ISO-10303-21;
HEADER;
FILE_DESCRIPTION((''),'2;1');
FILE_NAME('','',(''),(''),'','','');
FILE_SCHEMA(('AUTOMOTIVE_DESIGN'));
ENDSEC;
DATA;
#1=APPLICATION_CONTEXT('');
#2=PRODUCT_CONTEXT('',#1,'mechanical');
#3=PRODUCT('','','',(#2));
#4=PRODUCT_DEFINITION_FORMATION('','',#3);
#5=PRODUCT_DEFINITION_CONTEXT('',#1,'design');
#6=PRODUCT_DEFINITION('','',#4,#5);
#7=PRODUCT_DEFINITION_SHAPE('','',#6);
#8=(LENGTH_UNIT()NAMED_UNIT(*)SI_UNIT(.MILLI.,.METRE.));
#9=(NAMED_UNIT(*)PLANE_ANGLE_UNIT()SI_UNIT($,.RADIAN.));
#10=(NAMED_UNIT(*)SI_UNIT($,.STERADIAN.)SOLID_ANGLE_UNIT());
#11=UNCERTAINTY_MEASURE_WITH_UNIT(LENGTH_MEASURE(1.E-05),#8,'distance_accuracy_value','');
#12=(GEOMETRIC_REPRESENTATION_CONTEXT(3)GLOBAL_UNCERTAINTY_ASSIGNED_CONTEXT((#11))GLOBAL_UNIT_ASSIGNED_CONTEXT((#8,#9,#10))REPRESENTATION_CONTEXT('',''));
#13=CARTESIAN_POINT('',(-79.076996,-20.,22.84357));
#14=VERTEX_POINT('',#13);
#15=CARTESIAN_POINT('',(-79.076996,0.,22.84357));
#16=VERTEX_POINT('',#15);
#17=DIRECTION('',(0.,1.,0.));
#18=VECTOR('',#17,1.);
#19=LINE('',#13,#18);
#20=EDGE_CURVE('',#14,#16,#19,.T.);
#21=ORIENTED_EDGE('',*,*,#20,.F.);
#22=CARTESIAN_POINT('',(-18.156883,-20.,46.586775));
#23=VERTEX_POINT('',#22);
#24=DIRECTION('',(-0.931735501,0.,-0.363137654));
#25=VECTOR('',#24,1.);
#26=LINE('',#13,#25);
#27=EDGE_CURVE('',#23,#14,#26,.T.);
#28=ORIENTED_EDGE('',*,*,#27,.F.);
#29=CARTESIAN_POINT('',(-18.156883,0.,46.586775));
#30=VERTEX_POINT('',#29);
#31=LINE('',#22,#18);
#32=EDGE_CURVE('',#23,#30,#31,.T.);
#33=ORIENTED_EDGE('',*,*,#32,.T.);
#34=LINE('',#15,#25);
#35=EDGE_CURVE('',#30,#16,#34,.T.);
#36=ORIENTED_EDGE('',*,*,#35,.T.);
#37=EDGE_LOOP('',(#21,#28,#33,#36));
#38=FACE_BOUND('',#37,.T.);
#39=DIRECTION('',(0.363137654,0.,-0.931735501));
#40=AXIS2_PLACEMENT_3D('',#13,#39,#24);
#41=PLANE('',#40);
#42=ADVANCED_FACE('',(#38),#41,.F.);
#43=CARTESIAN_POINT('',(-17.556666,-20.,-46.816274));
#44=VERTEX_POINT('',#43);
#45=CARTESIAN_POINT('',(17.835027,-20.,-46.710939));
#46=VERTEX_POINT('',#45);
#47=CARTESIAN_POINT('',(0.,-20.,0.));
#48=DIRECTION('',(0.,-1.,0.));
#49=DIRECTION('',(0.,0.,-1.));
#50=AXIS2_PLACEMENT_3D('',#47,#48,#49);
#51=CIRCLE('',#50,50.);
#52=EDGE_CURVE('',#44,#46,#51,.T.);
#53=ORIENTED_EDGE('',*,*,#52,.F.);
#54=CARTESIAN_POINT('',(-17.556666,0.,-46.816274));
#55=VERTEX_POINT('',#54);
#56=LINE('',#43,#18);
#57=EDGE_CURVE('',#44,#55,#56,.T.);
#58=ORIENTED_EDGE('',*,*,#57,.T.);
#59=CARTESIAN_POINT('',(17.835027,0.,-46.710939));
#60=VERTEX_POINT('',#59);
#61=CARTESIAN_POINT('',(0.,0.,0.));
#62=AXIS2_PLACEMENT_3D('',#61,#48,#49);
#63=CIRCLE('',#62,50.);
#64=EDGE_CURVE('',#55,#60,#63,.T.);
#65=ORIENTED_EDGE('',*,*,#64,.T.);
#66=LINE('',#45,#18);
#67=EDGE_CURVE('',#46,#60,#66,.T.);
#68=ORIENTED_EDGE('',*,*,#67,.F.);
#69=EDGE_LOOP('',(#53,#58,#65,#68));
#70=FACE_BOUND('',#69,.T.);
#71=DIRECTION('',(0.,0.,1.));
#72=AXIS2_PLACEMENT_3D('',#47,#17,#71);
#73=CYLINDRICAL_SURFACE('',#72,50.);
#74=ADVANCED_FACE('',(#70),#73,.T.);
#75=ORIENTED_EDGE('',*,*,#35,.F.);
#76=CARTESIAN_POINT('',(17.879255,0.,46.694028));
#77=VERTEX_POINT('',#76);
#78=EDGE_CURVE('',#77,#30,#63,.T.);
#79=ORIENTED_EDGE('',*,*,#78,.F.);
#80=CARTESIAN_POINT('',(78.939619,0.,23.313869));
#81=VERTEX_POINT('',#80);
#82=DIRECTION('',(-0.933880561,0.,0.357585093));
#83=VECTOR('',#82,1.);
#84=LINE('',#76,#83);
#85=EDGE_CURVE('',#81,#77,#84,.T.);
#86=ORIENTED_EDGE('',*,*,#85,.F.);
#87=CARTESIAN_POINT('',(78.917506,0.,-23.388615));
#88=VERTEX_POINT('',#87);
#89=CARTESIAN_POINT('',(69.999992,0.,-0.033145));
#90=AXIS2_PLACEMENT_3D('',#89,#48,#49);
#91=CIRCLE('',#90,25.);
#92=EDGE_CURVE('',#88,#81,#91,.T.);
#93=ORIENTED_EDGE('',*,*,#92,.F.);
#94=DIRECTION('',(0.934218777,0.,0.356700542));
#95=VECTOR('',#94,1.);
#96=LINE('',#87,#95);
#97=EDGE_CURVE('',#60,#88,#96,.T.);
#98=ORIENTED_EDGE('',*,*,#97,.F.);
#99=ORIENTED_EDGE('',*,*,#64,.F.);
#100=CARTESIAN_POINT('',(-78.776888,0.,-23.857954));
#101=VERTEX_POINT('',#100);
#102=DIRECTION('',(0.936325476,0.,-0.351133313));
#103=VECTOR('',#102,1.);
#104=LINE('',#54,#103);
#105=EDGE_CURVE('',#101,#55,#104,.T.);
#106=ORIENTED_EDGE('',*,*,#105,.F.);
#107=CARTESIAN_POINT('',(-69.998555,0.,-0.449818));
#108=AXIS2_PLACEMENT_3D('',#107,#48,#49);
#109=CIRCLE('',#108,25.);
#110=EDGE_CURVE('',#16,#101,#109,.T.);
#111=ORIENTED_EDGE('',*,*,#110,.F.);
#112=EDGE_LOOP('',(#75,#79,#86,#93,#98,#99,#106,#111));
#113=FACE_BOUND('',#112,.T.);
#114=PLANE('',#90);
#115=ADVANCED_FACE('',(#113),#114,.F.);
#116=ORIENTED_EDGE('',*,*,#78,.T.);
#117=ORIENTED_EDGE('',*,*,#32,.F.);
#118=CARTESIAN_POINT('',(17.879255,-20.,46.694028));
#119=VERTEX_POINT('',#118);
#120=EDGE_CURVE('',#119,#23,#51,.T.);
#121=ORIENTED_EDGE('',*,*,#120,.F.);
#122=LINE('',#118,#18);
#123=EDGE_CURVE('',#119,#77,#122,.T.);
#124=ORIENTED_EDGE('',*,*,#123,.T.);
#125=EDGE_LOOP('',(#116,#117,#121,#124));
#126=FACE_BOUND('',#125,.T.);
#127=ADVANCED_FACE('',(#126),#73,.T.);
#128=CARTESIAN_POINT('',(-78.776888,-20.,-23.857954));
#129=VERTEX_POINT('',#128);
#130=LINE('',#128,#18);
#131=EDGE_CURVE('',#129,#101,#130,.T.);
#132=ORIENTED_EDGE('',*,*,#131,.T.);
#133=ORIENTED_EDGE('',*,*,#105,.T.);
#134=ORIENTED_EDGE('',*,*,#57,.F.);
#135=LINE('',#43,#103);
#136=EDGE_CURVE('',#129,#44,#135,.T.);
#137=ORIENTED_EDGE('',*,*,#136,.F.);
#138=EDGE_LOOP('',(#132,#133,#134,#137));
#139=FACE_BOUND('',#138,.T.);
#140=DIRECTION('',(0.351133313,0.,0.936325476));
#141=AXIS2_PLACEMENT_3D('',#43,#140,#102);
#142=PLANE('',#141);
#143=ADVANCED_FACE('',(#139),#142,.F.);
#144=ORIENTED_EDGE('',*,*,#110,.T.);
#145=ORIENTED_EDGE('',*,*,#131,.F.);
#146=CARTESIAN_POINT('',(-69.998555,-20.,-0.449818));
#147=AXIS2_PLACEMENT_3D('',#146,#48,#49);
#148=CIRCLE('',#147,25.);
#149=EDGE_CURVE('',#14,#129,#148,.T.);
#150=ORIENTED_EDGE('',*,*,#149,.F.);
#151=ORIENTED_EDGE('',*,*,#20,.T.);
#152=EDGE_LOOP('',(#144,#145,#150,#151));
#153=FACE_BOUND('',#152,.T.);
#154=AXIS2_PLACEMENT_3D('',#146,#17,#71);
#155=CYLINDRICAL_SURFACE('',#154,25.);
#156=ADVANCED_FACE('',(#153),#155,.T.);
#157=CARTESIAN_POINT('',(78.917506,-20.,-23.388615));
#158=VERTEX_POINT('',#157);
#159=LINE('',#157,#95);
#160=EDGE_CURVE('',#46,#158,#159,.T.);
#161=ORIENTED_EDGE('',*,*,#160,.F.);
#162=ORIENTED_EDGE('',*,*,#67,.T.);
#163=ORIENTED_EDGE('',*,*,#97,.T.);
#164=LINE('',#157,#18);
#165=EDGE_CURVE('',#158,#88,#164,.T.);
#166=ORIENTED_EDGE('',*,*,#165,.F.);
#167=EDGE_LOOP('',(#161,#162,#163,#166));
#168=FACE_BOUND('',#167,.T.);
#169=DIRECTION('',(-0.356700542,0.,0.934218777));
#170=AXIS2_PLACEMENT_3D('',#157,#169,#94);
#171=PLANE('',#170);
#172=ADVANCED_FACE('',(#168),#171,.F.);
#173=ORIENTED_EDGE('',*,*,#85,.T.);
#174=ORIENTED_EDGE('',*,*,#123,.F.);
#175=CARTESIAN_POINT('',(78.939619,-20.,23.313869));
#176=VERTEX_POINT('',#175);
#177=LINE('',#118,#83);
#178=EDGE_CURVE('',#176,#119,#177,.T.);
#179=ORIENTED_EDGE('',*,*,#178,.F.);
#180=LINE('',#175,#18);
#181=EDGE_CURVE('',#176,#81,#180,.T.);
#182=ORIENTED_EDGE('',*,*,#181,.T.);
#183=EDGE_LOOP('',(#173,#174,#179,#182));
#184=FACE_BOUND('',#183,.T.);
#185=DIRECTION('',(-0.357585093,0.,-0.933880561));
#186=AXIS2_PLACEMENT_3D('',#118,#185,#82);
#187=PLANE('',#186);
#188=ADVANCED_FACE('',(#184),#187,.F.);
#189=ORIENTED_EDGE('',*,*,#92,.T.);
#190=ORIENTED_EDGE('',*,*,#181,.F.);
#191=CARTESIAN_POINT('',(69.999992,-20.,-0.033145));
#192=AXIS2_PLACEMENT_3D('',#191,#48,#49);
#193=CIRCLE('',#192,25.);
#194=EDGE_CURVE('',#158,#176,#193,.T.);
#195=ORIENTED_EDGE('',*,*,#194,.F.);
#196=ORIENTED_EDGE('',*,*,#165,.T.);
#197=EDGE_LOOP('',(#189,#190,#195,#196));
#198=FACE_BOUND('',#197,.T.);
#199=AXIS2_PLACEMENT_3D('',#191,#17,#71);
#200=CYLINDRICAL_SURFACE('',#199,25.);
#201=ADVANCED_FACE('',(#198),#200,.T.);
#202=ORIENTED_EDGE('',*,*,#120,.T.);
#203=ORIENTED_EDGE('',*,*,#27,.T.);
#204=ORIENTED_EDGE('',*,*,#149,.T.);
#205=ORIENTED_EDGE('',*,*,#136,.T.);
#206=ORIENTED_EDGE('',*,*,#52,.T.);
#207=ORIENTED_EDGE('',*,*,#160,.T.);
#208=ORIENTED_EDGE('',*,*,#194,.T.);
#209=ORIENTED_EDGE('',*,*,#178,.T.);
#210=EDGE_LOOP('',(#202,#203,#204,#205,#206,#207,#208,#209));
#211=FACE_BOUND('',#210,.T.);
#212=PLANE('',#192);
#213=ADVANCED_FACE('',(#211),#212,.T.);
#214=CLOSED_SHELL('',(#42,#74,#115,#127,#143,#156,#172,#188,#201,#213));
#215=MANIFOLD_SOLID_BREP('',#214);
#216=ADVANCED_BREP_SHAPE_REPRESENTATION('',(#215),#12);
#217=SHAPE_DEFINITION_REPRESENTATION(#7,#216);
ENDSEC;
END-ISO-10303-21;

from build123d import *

# Parameters (mm, degrees)
EXTRUDE_315_DEPTH = 20


with BuildPart() as part:
    # Эскиз1 → Extrude 315 (new body)
    with BuildSketch(Plane(origin=(0, 0, 0), x_dir=(-1, 0, 0), z_dir=(0, -1, 0))):
        with BuildLine():
            Line((-78.917505692, 23.388614652), (-17.835027079, 46.710938859))
            ThreePointArc((-17.835027079, 46.710938859), (-0.148812417, 49.999778548), (17.556665634, 46.816273793))
            Line((17.556665634, 46.816273793), (78.776887546, 23.857954408))
            ThreePointArc((78.776887546, 23.857954408), (94.998038561, 0.610466623), (79.076996078, -22.84357002))
            Line((79.076996078, -22.84357002), (18.156882698, -46.586775062))
            ThreePointArc((18.156882698, -46.586775062), (0.148812417, -49.999778548), (-17.879254632, -46.694028031))
            Line((-17.879254632, -46.694028031), (-78.939619469, -23.313868793))
            ThreePointArc((-78.939619469, -23.313868793), (-94.99998935, 0.044982802), (-78.917505692, 23.388614652))
        make_face()
    extrude(amount=EXTRUDE_315_DEPTH)


solid = part.part
